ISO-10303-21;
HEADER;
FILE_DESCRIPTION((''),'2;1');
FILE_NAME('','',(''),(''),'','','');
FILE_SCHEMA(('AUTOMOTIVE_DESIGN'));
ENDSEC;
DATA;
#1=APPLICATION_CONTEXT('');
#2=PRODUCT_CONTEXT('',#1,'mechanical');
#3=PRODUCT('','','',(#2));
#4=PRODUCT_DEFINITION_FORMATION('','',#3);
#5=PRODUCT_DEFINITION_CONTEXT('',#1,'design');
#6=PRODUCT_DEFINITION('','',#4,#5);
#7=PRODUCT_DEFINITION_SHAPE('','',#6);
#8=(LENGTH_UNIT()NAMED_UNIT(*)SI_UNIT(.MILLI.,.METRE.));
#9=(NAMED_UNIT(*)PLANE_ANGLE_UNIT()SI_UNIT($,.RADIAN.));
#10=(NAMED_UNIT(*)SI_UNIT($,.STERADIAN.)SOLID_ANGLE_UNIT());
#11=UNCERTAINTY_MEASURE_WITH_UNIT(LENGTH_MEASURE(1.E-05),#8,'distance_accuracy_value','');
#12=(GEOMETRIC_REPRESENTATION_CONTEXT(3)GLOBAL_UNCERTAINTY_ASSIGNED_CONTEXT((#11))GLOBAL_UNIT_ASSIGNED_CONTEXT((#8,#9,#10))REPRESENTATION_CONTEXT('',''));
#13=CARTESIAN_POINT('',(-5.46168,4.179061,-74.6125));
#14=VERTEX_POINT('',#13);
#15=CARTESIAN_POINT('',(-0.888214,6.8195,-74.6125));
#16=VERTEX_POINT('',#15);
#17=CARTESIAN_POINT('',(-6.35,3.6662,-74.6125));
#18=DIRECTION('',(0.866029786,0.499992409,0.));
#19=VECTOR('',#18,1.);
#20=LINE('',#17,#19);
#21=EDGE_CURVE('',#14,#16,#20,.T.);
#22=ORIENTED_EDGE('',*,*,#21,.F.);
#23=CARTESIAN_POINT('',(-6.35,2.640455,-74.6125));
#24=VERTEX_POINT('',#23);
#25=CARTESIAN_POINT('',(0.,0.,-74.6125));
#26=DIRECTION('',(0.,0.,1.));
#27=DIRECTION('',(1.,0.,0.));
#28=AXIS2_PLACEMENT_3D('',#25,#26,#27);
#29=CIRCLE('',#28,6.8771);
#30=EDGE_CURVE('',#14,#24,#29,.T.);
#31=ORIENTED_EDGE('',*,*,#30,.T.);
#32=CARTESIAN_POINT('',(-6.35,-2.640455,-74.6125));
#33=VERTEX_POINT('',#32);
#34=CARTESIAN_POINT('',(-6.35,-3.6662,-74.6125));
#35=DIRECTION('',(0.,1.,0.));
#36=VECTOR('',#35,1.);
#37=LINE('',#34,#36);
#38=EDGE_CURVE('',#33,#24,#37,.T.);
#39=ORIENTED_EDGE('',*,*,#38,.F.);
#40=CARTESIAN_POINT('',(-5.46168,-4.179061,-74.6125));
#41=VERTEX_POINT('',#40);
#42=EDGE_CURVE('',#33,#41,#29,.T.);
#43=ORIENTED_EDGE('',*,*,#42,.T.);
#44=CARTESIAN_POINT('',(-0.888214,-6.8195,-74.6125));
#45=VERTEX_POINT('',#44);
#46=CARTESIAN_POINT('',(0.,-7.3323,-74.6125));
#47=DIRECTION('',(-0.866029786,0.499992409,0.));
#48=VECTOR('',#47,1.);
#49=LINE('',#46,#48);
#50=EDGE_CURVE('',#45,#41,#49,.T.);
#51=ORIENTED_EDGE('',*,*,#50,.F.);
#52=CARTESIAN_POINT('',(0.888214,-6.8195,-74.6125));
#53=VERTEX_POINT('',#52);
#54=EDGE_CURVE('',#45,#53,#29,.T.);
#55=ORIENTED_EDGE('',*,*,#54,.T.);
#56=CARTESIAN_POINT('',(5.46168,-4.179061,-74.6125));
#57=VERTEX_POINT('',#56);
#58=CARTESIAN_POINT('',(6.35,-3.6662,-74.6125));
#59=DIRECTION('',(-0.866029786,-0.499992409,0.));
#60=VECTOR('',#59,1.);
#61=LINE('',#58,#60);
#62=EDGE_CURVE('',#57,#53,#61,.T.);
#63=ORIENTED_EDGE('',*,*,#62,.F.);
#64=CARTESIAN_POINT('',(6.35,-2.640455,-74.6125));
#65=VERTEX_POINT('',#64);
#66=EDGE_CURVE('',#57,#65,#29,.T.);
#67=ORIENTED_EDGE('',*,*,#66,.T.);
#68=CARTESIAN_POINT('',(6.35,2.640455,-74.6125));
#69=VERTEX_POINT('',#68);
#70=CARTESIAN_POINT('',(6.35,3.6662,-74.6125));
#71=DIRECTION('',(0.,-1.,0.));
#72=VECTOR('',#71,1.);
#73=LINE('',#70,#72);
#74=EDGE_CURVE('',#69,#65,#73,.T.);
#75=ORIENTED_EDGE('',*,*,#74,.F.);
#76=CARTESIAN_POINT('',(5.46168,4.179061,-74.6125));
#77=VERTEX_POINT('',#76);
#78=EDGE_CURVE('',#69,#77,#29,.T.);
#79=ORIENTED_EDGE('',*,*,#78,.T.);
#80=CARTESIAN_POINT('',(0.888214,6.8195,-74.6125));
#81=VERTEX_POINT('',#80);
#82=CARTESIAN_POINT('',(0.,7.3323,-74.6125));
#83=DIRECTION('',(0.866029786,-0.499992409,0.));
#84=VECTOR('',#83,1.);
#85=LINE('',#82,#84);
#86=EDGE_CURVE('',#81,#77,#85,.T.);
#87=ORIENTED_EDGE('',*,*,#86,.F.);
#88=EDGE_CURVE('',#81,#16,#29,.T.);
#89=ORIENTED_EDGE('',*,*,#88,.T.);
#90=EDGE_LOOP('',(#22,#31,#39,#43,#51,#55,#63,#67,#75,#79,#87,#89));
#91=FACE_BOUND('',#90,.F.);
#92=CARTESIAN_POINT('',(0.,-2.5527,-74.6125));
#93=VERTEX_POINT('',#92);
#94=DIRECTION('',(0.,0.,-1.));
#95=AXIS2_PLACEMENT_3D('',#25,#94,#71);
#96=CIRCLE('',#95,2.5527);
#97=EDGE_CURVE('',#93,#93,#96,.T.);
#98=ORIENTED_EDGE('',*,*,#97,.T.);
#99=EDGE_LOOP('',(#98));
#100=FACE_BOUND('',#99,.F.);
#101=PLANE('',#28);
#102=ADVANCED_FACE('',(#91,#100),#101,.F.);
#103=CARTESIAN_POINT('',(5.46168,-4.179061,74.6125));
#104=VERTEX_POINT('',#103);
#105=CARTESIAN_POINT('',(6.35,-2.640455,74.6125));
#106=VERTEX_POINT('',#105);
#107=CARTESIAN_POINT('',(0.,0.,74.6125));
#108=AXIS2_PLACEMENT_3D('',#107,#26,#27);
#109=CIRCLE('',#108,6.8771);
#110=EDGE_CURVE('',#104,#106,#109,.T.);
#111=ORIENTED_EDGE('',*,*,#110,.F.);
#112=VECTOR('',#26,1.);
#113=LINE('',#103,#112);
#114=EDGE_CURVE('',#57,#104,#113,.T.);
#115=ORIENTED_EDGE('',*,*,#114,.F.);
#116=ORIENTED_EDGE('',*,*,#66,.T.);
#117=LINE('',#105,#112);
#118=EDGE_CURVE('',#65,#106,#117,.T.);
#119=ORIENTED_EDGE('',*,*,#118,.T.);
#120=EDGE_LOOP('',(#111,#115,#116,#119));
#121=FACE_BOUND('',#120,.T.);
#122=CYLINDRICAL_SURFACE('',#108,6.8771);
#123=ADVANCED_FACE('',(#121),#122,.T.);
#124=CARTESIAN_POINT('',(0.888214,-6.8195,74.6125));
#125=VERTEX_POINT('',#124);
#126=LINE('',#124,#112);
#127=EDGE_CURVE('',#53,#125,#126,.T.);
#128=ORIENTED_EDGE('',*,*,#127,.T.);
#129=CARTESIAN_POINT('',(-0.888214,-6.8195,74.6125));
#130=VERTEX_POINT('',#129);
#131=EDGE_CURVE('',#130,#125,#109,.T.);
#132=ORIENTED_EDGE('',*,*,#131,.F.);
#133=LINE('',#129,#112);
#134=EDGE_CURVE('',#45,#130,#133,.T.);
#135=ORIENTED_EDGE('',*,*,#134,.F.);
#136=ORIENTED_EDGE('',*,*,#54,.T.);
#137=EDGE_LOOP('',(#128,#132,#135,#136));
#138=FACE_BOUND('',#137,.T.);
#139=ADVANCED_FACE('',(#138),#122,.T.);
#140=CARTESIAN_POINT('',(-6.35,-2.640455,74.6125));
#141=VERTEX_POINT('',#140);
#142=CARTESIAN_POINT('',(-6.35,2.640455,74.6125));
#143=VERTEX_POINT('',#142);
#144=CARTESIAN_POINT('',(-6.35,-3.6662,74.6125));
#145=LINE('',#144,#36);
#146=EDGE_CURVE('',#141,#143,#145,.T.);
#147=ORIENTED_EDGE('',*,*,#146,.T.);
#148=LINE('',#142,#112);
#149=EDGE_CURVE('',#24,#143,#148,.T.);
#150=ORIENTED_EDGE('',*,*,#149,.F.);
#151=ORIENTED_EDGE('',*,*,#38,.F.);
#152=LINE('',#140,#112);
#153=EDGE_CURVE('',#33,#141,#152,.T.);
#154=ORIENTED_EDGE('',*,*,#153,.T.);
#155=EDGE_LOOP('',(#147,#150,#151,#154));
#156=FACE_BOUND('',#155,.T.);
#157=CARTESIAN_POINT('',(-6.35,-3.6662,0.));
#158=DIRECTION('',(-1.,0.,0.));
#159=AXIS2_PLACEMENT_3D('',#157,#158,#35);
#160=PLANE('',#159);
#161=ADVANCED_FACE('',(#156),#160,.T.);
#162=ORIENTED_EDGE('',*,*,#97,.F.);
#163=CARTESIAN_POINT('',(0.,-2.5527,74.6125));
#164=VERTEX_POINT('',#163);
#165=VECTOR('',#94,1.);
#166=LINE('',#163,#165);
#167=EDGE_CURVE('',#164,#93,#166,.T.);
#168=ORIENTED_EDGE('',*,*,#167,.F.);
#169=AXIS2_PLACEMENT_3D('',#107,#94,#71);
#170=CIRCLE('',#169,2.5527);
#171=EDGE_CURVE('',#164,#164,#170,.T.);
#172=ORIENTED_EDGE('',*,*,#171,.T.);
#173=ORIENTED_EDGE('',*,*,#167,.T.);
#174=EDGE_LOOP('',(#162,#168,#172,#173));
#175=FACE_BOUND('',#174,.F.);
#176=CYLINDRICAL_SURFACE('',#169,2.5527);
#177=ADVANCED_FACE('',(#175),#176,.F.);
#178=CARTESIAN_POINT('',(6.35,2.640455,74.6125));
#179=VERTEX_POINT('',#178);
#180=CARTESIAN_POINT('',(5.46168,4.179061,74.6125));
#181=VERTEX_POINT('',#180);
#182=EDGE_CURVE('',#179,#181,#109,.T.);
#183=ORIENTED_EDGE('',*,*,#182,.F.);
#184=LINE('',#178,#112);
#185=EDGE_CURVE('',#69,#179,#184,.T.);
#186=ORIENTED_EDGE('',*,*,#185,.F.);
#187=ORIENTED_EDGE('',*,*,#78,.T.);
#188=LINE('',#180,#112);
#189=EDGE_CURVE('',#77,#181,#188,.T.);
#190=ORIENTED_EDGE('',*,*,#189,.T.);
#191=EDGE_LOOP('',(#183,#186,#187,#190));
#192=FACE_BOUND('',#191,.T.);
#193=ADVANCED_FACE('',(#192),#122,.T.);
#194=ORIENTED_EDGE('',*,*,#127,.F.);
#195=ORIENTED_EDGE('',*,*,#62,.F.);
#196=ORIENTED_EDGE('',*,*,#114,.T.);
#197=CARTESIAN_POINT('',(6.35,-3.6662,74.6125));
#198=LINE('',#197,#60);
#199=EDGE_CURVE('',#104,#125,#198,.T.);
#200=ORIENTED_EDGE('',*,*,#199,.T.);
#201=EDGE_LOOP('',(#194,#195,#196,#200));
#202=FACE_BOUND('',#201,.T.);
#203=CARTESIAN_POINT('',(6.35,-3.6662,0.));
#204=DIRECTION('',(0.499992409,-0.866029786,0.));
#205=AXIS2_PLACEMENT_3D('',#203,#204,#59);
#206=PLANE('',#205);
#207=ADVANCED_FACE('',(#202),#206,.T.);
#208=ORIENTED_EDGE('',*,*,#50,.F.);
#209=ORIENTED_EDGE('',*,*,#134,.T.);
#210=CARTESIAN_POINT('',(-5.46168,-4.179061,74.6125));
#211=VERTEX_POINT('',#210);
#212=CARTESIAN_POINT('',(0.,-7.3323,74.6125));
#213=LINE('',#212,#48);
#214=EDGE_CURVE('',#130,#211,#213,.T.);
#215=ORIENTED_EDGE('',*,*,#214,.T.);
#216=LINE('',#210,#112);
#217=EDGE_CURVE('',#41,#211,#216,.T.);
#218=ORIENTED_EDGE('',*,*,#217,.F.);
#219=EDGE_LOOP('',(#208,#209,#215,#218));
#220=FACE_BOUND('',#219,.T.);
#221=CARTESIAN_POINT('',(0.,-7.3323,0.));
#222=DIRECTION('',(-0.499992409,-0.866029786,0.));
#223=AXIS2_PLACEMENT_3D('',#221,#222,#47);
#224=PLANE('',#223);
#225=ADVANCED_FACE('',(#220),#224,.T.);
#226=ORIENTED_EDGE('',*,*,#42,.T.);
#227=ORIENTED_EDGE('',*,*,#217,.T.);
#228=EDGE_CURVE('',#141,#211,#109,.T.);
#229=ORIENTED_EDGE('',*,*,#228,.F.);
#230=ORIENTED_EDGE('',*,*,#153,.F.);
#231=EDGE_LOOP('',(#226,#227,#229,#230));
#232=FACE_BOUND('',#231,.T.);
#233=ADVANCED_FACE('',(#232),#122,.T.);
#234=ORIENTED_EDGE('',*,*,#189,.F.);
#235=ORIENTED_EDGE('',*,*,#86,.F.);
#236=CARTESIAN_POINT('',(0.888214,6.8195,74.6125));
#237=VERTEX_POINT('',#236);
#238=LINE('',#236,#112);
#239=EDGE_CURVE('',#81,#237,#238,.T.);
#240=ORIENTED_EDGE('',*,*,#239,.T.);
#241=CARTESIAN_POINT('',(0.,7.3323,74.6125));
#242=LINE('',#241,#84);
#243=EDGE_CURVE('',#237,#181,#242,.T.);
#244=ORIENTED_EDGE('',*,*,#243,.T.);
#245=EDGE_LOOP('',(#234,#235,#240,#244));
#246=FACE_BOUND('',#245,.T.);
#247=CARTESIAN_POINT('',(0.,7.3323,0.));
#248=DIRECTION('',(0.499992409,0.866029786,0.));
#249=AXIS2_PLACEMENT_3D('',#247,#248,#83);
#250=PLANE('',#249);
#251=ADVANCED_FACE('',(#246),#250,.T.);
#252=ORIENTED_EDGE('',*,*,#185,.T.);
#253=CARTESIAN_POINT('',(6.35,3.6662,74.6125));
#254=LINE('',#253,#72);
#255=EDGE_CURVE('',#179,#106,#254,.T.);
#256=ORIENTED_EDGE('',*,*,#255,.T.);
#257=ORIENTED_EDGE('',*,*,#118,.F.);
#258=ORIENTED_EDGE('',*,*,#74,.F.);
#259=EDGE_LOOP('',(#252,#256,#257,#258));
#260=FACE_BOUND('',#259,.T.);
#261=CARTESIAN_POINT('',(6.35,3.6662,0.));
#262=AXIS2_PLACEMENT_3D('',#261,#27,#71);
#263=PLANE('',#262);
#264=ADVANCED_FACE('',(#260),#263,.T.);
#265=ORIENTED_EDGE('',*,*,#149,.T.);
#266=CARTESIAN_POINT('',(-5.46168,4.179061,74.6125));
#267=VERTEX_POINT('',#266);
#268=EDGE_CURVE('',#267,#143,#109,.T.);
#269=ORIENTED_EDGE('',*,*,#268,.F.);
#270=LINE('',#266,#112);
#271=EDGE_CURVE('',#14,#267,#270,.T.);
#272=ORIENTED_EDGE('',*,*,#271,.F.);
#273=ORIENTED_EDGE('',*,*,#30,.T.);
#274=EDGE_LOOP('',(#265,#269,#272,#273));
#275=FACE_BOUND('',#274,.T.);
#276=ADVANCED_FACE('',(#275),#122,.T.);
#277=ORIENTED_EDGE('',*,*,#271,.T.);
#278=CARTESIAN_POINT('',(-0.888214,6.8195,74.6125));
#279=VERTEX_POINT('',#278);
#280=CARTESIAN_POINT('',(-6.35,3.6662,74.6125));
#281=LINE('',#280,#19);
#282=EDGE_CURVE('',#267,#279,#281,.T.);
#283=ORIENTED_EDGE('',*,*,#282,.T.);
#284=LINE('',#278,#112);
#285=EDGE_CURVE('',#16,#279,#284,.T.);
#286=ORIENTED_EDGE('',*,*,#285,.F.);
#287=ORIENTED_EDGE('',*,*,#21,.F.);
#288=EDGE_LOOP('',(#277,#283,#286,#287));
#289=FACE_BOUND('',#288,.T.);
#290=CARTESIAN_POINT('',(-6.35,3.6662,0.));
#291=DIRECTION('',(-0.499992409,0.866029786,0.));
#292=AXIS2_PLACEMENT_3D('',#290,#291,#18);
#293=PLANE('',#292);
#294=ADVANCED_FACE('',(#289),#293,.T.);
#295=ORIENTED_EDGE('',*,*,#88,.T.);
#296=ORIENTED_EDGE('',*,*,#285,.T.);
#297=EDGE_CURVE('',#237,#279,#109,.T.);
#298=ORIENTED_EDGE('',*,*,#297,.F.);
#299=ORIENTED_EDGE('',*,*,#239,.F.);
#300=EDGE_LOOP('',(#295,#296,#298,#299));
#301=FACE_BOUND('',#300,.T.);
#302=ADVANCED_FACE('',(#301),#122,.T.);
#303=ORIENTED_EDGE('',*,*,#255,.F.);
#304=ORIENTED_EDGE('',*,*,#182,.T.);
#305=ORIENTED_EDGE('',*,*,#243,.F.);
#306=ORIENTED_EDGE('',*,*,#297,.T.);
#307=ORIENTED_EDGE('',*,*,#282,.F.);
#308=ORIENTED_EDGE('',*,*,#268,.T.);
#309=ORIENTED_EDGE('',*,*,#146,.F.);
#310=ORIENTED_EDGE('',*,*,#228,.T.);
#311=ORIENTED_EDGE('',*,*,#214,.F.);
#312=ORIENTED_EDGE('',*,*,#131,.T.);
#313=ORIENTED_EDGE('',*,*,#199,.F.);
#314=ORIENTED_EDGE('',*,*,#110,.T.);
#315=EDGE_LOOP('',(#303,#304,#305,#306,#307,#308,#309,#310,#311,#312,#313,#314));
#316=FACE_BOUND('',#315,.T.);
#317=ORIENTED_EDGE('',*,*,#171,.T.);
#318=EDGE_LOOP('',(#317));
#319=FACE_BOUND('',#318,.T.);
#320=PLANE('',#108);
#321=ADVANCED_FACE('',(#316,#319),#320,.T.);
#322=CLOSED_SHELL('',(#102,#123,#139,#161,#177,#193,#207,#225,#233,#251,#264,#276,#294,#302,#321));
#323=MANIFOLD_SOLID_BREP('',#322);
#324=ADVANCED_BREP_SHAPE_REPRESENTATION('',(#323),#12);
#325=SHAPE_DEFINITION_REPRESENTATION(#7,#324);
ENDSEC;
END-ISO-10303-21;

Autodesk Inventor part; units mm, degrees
ref_plane "YZ Plane" through (0, 0, 0) normal (1, 0, 0) x (0, 1, 0)
ref_plane "XZ Plane" through (0, 0, 0) normal (0, 1, 0) x (-1, 0, 0)
ref_plane "XY Plane" through (0, 0, 0) normal (0, 0, 1) x (1, 0, 0)
sketch "Sketch1" plane through (0, 0, 0) normal (0, 0, 1) x (1, 0, 0)
  line L0 (-6.35, -3.6662) -> (-6.35, 3.6662)
  line L1 (-6.35, 3.6662) -> (0, 7.3323)
  line L2 (0, 7.3323) -> (6.35, 3.6662)
  line L3 (6.35, 3.6662) -> (6.35, -3.6662)
  line L4 (6.35, -3.6662) -> (0, -7.3323)
  line L5 (0, -7.3323) -> (-6.35, -3.6662)
  point P0 (0, 0)
  point P1 (0, 0)
  dimension "Size" = 12.7
extrude "Extrusion1" add sketch "Sketch1" along normal mid plane 149.225
sketch "Sketch3" plane through (0, 0, 74.6125) normal (0, 0, 1) x (1, 0, 0)
  line L0 (-6.35, 3.6662) -> (0, 7.3323) construction
  line L1 (0, 7.3323) -> (6.35, 3.6662) construction
  line L2 (6.35, 3.6662) -> (6.35, -3.6662) construction
  line L3 (6.35, -3.6662) -> (0, -7.3323) construction
  line L4 (0, -7.3323) -> (-6.35, -3.6662) construction
  line L5 (-6.35, -3.6662) -> (-6.35, 3.6662) construction
  point P0 (0, 0)
hole "Hole1" at (0, 0, 74.6125) direction (0, 0, -1) diameter 5.1054 end through all
sketch "Sketch4" plane through (0, 0, 74.6125) normal (0, 0, 1) x (1, 0, 0)
  circle A0 centre (0, 0) radius 2.5527 construction
  line L0 (-6.35, 3.6662) -> (0, 7.3323) construction
  line L1 (0, 7.3323) -> (6.35, 3.6662) construction
  line L2 (6.35, 3.6662) -> (6.35, -3.6662) construction
  line L3 (6.35, -3.6662) -> (0, -7.3323) construction
  line L4 (0, -7.3323) -> (-6.35, -3.6662) construction
  line L5 (-6.35, -3.6662) -> (-6.35, 3.6662) construction
  circle A1 centre (0, 0) radius 6.8771
  circle A2 centre (0, 0) radius 8.89
  dimension "thunder" = 13.7541
  dimension "d16" = 17.78
extrude "Extrusion3" cut sketch "Sketch4" against normal through all
equation "\"bearing\" = 25.4"
properties part number "GP3-003" material "Aluminum 6061"
